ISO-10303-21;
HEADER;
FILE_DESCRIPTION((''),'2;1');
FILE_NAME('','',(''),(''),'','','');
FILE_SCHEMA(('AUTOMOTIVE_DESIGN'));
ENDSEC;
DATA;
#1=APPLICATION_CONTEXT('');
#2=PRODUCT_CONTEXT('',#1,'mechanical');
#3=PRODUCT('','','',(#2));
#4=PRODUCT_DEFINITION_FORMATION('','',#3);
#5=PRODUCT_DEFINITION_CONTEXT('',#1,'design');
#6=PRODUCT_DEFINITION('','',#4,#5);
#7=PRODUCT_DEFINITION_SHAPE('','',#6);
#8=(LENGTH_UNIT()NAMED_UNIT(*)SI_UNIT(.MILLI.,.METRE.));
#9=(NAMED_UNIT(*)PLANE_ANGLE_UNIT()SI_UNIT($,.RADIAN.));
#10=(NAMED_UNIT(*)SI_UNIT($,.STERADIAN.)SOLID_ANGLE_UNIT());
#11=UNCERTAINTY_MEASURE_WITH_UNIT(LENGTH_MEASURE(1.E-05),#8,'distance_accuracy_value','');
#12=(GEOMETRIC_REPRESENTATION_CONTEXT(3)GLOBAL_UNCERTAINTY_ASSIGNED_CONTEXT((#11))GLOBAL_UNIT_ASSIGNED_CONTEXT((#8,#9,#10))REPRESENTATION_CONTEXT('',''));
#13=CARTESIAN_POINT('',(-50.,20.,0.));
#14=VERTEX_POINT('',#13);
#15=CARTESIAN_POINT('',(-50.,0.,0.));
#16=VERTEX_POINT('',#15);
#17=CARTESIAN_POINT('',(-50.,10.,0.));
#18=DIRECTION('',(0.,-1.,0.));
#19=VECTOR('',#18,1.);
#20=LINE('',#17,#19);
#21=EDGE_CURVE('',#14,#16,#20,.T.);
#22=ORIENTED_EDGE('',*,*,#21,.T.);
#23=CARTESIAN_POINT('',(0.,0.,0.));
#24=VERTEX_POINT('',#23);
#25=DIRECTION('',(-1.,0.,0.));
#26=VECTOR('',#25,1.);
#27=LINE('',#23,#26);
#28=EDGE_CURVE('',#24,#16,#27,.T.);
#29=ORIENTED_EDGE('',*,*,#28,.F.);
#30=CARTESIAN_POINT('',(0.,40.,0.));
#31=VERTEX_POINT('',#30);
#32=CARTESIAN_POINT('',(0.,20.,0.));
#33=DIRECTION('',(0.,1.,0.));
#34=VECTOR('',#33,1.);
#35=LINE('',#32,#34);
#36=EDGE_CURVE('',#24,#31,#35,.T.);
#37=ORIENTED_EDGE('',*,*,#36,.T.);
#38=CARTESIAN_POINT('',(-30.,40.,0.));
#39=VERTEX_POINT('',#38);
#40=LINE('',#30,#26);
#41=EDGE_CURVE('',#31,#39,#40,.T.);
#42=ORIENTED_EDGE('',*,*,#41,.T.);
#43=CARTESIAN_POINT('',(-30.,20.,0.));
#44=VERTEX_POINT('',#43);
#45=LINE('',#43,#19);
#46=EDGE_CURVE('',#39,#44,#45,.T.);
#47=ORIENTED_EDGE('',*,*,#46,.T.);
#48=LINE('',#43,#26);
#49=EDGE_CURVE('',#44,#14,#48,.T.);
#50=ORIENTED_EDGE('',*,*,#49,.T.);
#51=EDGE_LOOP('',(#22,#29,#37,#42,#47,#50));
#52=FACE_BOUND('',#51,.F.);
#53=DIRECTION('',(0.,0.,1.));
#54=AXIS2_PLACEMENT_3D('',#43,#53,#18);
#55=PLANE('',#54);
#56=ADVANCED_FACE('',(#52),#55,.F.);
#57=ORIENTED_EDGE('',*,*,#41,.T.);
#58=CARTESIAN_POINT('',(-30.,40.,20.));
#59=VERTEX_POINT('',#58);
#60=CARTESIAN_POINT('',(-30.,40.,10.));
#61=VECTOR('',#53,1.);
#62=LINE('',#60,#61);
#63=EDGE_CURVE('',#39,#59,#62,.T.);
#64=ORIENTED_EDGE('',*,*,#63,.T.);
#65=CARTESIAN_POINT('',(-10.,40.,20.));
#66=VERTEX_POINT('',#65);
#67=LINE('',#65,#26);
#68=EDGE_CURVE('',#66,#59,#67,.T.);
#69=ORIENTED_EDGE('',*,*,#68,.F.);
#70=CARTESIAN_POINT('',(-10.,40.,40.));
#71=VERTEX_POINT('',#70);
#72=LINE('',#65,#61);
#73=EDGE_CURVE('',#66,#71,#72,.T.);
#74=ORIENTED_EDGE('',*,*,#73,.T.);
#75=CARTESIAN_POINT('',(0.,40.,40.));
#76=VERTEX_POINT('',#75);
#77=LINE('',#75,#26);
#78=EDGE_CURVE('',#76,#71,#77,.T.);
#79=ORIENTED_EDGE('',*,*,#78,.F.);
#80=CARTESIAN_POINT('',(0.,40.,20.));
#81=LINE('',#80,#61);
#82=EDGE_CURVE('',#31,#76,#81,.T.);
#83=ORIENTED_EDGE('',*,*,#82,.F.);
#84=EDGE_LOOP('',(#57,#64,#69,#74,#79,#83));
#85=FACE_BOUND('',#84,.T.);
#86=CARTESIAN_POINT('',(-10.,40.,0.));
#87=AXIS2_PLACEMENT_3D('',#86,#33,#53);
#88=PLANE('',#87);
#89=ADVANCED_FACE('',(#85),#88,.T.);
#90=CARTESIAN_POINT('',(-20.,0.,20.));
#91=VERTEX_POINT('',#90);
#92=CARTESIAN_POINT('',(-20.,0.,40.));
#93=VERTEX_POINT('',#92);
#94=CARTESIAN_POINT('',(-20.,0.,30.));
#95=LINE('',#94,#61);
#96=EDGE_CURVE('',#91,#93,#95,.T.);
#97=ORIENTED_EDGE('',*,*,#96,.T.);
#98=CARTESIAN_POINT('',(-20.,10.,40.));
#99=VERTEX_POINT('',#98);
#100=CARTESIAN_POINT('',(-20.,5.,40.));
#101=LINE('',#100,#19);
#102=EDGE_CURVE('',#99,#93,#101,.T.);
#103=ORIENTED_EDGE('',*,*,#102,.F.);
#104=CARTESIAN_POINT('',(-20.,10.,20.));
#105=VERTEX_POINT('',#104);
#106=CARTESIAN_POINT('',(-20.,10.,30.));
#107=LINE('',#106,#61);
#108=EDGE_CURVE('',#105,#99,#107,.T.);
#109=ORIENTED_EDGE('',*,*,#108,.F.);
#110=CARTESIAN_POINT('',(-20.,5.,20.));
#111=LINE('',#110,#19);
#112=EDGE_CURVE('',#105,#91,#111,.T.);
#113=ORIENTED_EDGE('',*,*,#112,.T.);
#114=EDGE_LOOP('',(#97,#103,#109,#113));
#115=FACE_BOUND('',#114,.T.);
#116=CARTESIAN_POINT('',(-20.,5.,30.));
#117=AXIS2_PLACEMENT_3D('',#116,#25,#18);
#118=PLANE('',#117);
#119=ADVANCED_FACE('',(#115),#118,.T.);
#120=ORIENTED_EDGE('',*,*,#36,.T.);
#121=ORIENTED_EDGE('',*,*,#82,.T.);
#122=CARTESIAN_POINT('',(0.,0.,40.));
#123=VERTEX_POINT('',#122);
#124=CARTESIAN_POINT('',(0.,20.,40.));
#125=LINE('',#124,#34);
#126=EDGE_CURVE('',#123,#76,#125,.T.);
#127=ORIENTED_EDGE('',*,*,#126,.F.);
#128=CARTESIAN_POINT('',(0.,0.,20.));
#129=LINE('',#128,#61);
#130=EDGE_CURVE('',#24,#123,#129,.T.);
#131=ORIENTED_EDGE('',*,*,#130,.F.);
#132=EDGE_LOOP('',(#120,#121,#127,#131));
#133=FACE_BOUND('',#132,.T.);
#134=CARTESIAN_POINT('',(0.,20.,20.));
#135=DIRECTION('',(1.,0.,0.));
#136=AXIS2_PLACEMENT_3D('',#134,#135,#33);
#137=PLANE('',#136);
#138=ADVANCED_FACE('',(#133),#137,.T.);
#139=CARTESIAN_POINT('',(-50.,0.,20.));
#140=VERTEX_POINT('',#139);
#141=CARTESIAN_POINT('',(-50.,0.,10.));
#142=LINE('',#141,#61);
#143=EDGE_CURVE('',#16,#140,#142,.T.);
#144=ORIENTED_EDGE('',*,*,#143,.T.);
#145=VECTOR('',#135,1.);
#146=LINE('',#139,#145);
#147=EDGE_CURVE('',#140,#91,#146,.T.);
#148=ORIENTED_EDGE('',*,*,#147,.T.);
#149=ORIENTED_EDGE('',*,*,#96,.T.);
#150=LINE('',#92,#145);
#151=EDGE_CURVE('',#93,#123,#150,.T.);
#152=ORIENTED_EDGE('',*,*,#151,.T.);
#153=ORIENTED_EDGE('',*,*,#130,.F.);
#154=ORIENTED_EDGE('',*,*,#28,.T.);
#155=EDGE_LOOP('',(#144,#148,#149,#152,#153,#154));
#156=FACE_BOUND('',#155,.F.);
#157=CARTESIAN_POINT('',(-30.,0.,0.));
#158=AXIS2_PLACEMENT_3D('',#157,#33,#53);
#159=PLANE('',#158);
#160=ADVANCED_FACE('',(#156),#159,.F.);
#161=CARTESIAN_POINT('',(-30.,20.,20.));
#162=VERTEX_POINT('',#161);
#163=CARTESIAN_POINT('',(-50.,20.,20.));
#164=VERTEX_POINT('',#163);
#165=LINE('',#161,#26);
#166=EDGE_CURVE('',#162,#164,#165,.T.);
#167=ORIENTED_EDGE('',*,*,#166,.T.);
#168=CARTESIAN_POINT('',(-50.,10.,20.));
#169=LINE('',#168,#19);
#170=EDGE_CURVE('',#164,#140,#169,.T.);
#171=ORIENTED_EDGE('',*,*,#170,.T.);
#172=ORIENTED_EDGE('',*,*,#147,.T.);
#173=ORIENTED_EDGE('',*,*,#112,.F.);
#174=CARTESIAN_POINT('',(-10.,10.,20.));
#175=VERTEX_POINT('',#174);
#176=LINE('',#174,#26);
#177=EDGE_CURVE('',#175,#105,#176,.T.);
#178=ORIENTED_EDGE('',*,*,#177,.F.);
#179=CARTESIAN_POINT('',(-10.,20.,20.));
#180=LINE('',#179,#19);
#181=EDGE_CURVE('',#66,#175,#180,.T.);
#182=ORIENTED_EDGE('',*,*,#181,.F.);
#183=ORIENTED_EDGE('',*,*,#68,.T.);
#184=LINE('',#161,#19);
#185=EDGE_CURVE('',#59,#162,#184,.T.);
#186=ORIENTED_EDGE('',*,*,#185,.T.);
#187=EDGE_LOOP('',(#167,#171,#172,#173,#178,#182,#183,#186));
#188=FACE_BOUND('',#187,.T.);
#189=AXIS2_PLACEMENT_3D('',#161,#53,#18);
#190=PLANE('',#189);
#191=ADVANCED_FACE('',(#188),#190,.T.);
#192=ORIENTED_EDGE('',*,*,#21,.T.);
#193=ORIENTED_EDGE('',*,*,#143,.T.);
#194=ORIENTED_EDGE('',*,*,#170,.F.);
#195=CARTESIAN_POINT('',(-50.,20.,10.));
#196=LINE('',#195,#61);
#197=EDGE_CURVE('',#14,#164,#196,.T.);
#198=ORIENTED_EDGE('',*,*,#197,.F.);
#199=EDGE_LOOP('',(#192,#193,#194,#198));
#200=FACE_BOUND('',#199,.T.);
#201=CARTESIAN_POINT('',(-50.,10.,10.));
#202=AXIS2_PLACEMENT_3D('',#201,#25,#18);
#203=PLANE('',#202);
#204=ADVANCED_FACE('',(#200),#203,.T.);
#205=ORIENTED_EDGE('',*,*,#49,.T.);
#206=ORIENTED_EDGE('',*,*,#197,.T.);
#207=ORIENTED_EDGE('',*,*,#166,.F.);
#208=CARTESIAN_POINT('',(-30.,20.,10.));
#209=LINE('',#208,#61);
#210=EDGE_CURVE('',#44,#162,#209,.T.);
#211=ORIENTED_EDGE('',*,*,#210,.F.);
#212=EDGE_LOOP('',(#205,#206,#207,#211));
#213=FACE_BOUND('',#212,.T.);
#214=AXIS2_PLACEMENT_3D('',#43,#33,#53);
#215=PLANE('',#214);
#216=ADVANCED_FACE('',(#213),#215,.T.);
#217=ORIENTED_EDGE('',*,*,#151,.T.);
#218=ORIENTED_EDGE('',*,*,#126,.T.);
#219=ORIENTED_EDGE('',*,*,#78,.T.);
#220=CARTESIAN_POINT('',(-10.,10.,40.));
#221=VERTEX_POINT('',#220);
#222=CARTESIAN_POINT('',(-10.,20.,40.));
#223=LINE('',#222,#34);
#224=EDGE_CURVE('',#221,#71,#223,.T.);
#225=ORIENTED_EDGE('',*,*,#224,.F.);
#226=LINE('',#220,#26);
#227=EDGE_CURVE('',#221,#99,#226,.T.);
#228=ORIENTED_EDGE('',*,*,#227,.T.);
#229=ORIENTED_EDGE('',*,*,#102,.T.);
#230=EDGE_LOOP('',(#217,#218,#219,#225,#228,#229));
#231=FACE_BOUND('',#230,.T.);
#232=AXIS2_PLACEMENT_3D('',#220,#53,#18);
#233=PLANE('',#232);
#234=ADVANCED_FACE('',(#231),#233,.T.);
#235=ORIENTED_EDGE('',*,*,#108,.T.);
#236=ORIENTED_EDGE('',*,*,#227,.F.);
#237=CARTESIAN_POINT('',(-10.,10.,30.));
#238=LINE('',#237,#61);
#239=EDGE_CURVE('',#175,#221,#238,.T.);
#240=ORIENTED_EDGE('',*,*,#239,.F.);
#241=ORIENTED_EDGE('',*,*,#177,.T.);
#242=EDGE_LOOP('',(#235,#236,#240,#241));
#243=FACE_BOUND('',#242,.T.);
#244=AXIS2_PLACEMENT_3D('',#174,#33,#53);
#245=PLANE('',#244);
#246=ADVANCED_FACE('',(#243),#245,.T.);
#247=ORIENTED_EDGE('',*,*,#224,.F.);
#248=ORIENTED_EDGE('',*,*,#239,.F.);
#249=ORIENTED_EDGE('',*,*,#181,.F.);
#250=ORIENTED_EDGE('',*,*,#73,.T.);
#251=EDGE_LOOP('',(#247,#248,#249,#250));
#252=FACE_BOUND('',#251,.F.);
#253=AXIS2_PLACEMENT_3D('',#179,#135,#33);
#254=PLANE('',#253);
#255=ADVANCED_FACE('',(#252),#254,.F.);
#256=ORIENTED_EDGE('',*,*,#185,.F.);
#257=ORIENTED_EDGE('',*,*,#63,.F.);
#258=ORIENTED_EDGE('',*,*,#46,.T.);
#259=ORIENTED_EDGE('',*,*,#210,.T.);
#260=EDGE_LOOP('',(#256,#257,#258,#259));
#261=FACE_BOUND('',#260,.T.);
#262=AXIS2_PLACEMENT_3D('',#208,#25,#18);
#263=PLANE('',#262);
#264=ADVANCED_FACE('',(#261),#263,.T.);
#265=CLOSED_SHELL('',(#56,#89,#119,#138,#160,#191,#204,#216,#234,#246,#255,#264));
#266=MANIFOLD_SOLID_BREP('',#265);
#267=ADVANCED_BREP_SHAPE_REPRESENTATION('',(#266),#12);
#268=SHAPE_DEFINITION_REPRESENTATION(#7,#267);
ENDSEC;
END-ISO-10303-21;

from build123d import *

# Parameters (mm, degrees)
F0_W     = 40
F0_H     = 40
F1_DEPTH = 10
F2_W     = 40
F2_H     = 20
F3_DEPTH = 20
F4_W     = 20
F4_H     = 20
F5_DEPTH = 20
F6_W     = 10
F6_H     = 20
F7_DEPTH = 10


with BuildPart() as f1:
    # F0 (on Right) → F1 (new body)
    with BuildSketch(Plane.YZ):
        with Locations((20, 20)):
            Rectangle(F0_W, F0_H)
    extrude(amount=-F1_DEPTH)

    # F2 (on face) → F3 (join)
    with BuildSketch(Plane(origin=(-10, 0, 0), x_dir=(0, -1, 0), z_dir=(-1, 0, 0))):
        with Locations((-20, 10)):
            Rectangle(F2_W, F2_H)
    extrude(amount=F3_DEPTH)

    # F4 (on face) → F5 (join)
    with BuildSketch(Plane(origin=(-30, 0, 0), x_dir=(0, -1, 0), z_dir=(-1, 0, 0))):
        with Locations((-10, 10)):
            Rectangle(F4_W, F4_H)
    extrude(amount=F5_DEPTH)

    # F6 (on face) → F7 (join)
    with BuildSketch(Plane(origin=(-10, 0, 0), x_dir=(0, -1, 0), z_dir=(-1, 0, 0))):
        with Locations((-5, 30)):
            Rectangle(F6_W, F6_H)
    extrude(amount=F7_DEPTH)


solid = f1.part
